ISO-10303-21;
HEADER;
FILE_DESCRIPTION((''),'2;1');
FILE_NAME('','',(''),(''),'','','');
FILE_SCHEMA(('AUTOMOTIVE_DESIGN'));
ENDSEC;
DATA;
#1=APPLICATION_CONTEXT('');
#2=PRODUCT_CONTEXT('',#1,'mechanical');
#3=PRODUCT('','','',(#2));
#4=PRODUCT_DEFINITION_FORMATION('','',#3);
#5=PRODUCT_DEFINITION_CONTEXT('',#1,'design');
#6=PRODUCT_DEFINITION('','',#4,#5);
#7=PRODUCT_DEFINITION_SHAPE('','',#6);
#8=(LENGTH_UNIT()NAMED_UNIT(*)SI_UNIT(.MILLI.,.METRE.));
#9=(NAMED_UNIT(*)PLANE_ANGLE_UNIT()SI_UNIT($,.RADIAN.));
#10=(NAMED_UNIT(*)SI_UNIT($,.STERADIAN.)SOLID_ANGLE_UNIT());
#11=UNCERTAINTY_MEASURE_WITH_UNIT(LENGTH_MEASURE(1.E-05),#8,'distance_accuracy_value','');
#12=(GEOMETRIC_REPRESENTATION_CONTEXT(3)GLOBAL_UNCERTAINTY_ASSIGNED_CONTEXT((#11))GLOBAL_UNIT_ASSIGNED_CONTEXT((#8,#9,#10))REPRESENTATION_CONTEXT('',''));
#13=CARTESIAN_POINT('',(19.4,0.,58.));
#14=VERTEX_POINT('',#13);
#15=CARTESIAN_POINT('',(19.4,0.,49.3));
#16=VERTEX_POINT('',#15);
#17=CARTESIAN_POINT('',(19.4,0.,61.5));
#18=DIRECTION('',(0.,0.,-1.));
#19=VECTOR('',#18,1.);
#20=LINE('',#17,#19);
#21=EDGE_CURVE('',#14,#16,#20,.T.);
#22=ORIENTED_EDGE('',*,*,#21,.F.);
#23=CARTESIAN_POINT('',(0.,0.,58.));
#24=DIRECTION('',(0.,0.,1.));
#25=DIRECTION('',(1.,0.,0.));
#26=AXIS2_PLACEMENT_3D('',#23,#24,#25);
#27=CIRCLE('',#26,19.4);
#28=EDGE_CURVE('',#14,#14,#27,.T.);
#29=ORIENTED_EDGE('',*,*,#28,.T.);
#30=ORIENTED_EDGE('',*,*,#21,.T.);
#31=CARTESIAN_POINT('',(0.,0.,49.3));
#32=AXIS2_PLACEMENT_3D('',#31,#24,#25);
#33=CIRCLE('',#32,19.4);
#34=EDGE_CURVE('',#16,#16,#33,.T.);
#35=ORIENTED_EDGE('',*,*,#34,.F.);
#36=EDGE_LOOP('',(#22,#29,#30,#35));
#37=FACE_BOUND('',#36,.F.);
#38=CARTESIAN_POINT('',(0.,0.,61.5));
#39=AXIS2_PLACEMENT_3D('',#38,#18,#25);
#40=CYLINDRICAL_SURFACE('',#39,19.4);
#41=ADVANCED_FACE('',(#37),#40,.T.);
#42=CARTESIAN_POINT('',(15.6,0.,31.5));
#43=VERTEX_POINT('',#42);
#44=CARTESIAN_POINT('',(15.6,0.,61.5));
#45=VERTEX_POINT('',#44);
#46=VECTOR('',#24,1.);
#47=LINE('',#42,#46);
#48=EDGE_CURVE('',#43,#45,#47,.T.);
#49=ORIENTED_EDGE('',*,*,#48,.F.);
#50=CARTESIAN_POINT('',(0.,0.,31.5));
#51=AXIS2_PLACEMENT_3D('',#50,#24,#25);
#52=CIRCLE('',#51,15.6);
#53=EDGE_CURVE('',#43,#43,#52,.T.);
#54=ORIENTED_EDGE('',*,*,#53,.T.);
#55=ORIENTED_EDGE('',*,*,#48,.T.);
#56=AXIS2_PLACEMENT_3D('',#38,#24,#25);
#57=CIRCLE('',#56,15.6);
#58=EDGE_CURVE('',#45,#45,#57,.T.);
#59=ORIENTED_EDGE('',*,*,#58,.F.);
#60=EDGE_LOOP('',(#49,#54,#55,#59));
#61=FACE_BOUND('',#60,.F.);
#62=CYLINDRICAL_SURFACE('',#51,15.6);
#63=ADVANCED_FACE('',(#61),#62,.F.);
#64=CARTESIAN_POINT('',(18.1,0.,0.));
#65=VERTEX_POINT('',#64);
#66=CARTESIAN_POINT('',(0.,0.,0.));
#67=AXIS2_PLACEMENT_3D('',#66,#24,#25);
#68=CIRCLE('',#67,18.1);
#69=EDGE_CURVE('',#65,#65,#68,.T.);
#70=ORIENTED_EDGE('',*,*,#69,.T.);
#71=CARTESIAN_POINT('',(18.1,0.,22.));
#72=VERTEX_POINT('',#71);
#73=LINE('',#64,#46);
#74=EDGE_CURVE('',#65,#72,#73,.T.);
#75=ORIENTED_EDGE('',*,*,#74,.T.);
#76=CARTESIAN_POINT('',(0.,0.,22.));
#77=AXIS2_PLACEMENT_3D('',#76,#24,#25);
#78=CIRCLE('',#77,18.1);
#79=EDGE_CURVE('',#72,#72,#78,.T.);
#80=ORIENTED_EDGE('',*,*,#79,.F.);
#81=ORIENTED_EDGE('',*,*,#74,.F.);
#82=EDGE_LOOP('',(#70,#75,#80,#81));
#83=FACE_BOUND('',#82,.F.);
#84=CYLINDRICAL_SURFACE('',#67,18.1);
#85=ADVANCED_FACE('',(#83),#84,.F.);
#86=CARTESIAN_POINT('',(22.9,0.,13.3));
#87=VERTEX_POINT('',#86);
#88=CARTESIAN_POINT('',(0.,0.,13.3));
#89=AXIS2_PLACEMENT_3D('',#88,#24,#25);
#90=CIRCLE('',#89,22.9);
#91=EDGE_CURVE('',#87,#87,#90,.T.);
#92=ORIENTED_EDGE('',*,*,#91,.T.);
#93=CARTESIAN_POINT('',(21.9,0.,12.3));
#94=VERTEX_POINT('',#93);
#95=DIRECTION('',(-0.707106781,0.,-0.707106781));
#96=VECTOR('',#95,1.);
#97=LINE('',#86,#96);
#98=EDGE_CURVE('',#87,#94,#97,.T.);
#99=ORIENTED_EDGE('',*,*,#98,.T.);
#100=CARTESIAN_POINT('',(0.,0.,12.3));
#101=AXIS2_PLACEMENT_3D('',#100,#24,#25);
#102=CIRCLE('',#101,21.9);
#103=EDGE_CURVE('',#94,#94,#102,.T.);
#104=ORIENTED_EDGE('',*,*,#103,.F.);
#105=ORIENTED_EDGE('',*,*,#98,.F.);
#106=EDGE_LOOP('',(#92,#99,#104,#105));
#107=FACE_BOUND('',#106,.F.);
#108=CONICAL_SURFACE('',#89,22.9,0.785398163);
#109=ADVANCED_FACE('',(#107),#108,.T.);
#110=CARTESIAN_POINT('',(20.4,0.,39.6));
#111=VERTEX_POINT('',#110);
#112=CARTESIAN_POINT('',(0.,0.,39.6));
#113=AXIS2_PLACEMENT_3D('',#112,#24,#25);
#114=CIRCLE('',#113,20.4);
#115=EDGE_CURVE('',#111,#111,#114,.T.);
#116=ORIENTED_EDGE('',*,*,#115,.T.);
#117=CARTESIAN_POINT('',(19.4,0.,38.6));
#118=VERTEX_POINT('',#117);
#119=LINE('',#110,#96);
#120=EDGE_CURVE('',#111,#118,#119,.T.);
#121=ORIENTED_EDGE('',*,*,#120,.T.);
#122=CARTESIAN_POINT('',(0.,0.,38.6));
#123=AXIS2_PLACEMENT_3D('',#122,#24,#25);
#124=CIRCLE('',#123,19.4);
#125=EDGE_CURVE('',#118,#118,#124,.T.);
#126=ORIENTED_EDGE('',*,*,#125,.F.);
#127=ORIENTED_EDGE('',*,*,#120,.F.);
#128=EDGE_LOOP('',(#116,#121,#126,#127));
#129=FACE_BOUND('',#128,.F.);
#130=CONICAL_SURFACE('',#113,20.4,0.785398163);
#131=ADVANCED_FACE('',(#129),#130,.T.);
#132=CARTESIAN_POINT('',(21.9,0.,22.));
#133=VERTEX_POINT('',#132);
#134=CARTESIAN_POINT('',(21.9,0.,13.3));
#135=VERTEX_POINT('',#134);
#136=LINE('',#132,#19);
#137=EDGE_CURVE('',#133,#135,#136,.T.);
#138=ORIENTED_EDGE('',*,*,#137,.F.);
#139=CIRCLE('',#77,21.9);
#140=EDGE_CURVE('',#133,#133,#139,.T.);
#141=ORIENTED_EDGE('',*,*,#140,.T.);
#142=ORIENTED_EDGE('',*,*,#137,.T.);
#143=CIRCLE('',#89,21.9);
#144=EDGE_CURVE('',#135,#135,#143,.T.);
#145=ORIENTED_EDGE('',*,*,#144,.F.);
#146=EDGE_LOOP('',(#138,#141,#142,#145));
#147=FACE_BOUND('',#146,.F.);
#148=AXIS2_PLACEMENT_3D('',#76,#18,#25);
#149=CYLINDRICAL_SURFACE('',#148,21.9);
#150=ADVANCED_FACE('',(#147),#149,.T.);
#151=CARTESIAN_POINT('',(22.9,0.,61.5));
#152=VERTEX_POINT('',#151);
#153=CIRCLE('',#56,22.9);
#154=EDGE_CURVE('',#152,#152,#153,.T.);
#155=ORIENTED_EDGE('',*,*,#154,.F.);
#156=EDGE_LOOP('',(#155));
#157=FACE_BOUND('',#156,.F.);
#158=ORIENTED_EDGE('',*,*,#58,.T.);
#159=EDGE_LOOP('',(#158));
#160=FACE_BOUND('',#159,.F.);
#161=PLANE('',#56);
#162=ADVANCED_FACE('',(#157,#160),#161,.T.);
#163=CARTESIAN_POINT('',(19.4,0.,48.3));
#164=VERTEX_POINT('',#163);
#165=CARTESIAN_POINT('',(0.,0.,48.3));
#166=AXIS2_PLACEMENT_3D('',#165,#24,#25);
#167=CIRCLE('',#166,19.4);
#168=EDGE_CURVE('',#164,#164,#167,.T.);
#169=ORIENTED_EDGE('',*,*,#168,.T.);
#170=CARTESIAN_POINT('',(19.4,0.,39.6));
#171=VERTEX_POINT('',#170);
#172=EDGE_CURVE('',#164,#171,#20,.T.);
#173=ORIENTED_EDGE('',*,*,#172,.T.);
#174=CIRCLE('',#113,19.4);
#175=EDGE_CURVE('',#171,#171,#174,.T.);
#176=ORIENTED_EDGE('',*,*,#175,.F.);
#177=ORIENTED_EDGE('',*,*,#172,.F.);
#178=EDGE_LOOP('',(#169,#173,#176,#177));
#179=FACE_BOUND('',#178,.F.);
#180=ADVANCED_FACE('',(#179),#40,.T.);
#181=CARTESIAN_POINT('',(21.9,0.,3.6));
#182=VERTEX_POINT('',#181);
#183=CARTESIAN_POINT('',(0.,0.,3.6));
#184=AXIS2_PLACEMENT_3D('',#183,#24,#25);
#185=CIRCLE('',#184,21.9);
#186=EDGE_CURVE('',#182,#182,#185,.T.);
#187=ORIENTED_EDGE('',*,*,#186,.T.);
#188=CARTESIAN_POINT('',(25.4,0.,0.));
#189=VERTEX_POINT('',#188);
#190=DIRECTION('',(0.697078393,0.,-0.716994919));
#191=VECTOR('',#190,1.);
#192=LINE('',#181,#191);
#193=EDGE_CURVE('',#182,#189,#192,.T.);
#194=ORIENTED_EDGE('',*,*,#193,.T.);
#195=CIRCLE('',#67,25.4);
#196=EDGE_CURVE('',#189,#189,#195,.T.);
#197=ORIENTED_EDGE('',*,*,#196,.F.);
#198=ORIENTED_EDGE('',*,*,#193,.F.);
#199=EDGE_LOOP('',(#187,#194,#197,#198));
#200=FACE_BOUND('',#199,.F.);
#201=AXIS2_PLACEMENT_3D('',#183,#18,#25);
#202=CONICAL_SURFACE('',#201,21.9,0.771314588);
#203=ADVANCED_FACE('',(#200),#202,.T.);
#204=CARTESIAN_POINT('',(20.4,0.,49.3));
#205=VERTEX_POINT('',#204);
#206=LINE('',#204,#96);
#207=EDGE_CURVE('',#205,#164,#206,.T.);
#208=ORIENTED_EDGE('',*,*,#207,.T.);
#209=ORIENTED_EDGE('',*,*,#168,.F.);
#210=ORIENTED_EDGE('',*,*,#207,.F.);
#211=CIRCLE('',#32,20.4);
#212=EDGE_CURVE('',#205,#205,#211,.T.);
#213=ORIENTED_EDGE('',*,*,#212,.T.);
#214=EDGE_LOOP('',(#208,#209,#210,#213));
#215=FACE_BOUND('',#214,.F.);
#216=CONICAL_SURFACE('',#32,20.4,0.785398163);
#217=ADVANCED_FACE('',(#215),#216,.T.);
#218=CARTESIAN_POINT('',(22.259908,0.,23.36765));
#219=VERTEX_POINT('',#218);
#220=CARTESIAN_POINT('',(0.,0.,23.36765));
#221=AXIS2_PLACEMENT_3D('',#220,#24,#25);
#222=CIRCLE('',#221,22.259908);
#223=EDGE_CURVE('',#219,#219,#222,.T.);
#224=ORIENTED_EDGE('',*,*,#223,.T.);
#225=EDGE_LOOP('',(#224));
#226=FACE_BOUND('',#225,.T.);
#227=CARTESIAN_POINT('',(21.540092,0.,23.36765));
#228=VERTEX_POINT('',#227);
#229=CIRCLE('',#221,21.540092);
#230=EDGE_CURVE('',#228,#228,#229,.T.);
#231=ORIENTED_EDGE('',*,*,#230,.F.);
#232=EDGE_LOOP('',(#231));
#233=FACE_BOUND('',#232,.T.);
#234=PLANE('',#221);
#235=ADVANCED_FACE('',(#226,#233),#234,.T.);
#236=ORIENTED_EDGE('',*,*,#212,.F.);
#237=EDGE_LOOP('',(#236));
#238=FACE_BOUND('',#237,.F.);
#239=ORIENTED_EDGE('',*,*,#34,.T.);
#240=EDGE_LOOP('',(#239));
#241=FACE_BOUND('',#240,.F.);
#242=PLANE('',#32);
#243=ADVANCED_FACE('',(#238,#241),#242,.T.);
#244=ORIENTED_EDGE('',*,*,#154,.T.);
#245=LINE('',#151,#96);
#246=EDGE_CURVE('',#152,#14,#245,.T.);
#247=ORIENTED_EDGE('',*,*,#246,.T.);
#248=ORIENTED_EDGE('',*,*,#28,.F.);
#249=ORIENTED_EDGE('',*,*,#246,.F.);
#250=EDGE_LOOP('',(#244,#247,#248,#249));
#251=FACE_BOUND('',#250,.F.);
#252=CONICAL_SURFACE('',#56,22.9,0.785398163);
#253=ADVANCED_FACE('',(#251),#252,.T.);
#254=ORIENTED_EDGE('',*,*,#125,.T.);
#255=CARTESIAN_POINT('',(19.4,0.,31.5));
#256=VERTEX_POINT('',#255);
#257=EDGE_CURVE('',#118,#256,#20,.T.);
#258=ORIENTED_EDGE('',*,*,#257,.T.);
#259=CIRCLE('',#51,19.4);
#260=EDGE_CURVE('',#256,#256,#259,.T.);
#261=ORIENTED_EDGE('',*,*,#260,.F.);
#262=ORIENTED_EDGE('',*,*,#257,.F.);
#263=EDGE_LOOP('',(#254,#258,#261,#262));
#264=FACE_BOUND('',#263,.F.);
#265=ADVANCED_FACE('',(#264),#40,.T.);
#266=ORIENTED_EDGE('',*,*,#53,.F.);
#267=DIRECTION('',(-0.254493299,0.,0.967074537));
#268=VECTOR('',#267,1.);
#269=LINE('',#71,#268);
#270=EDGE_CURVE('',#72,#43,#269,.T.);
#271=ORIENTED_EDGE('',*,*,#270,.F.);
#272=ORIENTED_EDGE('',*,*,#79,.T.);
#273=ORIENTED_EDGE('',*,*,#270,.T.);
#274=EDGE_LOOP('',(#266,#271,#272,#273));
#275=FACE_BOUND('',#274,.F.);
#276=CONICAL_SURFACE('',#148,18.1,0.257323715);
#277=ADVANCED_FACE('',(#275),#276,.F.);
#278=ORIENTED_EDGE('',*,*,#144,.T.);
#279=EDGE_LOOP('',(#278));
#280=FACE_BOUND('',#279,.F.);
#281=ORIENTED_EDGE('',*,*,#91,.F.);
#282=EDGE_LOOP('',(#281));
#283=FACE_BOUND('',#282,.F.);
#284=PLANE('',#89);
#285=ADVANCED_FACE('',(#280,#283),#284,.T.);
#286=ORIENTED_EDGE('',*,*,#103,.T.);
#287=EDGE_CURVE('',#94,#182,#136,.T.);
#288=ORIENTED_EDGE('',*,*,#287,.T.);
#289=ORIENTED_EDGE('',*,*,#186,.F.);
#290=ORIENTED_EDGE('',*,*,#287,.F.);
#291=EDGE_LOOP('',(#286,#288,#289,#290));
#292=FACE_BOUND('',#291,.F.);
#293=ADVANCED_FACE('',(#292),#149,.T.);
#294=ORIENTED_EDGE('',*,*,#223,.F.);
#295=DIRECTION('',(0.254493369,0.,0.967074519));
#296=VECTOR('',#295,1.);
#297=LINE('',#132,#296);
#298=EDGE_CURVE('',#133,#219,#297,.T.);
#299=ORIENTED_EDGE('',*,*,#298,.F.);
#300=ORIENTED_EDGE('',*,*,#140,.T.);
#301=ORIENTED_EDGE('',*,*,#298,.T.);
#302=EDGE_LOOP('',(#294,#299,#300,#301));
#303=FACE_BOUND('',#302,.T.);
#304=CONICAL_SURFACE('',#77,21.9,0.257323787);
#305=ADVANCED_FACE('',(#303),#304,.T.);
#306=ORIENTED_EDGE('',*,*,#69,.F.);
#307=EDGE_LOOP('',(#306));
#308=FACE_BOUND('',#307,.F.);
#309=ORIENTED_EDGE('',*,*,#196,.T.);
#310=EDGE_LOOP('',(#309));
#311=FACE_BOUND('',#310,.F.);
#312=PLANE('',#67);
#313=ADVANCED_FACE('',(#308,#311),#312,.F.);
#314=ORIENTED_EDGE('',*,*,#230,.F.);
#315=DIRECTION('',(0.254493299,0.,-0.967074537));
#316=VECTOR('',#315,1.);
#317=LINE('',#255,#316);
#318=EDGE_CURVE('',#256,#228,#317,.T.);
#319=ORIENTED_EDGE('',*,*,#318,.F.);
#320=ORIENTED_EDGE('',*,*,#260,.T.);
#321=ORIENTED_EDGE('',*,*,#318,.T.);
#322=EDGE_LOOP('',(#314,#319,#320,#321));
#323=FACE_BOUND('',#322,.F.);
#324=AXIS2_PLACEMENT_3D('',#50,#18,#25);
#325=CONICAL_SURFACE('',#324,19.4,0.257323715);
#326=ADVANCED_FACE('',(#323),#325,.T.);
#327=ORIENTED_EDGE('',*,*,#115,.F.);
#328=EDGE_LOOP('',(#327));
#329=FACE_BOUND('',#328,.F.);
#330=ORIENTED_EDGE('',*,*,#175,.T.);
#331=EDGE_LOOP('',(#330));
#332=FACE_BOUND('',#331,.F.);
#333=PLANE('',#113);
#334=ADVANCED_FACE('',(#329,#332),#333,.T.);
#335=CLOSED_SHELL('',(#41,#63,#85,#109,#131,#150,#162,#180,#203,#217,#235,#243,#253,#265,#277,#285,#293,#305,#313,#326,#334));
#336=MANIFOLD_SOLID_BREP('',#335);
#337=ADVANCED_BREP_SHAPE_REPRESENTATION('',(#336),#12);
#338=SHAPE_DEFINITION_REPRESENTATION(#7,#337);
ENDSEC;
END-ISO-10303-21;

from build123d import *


with BuildPart() as part:
    # Sketch (on XZ_Plane of Origin) → Revolution (revolve)
    with BuildSketch(Plane.XZ):
        Polygon((19.4, 61.5), (19.4, 31.5), (21.9, 22), (21.9, 0), (18.1, 0), (18.1, 22), (15.6, 31.5), (15.6, 61.5), align=None)
    revolve(axis=Axis((0, 0, 0), (0, 0, 1)))

    # Sketch001 (on XZ_Plane of Origin) → Revolution001 (revolve)
    with BuildSketch(Plane.XZ):
        Polygon((19.4, 61.5), (22.9, 61.5), (19.4, 58), align=None)
        Polygon((21.9, 3.6), (25.4, 0), (21.9, 0), align=None)
        Polygon((21.9, 13.3), (22.9, 13.3), (21.9, 12.3), align=None)
        Polygon((21.540092, 23.36765), (21.9, 22), (22.259908, 23.36765), align=None)
        Polygon((19.4, 49.3), (20.4, 49.3), (19.4, 48.3), align=None)
        Polygon((19.4, 39.6), (20.4, 39.6), (19.4, 38.6), align=None)
    revolve(axis=Axis((0, 0, 0), (0, 0, 1)))


solid = part.part
